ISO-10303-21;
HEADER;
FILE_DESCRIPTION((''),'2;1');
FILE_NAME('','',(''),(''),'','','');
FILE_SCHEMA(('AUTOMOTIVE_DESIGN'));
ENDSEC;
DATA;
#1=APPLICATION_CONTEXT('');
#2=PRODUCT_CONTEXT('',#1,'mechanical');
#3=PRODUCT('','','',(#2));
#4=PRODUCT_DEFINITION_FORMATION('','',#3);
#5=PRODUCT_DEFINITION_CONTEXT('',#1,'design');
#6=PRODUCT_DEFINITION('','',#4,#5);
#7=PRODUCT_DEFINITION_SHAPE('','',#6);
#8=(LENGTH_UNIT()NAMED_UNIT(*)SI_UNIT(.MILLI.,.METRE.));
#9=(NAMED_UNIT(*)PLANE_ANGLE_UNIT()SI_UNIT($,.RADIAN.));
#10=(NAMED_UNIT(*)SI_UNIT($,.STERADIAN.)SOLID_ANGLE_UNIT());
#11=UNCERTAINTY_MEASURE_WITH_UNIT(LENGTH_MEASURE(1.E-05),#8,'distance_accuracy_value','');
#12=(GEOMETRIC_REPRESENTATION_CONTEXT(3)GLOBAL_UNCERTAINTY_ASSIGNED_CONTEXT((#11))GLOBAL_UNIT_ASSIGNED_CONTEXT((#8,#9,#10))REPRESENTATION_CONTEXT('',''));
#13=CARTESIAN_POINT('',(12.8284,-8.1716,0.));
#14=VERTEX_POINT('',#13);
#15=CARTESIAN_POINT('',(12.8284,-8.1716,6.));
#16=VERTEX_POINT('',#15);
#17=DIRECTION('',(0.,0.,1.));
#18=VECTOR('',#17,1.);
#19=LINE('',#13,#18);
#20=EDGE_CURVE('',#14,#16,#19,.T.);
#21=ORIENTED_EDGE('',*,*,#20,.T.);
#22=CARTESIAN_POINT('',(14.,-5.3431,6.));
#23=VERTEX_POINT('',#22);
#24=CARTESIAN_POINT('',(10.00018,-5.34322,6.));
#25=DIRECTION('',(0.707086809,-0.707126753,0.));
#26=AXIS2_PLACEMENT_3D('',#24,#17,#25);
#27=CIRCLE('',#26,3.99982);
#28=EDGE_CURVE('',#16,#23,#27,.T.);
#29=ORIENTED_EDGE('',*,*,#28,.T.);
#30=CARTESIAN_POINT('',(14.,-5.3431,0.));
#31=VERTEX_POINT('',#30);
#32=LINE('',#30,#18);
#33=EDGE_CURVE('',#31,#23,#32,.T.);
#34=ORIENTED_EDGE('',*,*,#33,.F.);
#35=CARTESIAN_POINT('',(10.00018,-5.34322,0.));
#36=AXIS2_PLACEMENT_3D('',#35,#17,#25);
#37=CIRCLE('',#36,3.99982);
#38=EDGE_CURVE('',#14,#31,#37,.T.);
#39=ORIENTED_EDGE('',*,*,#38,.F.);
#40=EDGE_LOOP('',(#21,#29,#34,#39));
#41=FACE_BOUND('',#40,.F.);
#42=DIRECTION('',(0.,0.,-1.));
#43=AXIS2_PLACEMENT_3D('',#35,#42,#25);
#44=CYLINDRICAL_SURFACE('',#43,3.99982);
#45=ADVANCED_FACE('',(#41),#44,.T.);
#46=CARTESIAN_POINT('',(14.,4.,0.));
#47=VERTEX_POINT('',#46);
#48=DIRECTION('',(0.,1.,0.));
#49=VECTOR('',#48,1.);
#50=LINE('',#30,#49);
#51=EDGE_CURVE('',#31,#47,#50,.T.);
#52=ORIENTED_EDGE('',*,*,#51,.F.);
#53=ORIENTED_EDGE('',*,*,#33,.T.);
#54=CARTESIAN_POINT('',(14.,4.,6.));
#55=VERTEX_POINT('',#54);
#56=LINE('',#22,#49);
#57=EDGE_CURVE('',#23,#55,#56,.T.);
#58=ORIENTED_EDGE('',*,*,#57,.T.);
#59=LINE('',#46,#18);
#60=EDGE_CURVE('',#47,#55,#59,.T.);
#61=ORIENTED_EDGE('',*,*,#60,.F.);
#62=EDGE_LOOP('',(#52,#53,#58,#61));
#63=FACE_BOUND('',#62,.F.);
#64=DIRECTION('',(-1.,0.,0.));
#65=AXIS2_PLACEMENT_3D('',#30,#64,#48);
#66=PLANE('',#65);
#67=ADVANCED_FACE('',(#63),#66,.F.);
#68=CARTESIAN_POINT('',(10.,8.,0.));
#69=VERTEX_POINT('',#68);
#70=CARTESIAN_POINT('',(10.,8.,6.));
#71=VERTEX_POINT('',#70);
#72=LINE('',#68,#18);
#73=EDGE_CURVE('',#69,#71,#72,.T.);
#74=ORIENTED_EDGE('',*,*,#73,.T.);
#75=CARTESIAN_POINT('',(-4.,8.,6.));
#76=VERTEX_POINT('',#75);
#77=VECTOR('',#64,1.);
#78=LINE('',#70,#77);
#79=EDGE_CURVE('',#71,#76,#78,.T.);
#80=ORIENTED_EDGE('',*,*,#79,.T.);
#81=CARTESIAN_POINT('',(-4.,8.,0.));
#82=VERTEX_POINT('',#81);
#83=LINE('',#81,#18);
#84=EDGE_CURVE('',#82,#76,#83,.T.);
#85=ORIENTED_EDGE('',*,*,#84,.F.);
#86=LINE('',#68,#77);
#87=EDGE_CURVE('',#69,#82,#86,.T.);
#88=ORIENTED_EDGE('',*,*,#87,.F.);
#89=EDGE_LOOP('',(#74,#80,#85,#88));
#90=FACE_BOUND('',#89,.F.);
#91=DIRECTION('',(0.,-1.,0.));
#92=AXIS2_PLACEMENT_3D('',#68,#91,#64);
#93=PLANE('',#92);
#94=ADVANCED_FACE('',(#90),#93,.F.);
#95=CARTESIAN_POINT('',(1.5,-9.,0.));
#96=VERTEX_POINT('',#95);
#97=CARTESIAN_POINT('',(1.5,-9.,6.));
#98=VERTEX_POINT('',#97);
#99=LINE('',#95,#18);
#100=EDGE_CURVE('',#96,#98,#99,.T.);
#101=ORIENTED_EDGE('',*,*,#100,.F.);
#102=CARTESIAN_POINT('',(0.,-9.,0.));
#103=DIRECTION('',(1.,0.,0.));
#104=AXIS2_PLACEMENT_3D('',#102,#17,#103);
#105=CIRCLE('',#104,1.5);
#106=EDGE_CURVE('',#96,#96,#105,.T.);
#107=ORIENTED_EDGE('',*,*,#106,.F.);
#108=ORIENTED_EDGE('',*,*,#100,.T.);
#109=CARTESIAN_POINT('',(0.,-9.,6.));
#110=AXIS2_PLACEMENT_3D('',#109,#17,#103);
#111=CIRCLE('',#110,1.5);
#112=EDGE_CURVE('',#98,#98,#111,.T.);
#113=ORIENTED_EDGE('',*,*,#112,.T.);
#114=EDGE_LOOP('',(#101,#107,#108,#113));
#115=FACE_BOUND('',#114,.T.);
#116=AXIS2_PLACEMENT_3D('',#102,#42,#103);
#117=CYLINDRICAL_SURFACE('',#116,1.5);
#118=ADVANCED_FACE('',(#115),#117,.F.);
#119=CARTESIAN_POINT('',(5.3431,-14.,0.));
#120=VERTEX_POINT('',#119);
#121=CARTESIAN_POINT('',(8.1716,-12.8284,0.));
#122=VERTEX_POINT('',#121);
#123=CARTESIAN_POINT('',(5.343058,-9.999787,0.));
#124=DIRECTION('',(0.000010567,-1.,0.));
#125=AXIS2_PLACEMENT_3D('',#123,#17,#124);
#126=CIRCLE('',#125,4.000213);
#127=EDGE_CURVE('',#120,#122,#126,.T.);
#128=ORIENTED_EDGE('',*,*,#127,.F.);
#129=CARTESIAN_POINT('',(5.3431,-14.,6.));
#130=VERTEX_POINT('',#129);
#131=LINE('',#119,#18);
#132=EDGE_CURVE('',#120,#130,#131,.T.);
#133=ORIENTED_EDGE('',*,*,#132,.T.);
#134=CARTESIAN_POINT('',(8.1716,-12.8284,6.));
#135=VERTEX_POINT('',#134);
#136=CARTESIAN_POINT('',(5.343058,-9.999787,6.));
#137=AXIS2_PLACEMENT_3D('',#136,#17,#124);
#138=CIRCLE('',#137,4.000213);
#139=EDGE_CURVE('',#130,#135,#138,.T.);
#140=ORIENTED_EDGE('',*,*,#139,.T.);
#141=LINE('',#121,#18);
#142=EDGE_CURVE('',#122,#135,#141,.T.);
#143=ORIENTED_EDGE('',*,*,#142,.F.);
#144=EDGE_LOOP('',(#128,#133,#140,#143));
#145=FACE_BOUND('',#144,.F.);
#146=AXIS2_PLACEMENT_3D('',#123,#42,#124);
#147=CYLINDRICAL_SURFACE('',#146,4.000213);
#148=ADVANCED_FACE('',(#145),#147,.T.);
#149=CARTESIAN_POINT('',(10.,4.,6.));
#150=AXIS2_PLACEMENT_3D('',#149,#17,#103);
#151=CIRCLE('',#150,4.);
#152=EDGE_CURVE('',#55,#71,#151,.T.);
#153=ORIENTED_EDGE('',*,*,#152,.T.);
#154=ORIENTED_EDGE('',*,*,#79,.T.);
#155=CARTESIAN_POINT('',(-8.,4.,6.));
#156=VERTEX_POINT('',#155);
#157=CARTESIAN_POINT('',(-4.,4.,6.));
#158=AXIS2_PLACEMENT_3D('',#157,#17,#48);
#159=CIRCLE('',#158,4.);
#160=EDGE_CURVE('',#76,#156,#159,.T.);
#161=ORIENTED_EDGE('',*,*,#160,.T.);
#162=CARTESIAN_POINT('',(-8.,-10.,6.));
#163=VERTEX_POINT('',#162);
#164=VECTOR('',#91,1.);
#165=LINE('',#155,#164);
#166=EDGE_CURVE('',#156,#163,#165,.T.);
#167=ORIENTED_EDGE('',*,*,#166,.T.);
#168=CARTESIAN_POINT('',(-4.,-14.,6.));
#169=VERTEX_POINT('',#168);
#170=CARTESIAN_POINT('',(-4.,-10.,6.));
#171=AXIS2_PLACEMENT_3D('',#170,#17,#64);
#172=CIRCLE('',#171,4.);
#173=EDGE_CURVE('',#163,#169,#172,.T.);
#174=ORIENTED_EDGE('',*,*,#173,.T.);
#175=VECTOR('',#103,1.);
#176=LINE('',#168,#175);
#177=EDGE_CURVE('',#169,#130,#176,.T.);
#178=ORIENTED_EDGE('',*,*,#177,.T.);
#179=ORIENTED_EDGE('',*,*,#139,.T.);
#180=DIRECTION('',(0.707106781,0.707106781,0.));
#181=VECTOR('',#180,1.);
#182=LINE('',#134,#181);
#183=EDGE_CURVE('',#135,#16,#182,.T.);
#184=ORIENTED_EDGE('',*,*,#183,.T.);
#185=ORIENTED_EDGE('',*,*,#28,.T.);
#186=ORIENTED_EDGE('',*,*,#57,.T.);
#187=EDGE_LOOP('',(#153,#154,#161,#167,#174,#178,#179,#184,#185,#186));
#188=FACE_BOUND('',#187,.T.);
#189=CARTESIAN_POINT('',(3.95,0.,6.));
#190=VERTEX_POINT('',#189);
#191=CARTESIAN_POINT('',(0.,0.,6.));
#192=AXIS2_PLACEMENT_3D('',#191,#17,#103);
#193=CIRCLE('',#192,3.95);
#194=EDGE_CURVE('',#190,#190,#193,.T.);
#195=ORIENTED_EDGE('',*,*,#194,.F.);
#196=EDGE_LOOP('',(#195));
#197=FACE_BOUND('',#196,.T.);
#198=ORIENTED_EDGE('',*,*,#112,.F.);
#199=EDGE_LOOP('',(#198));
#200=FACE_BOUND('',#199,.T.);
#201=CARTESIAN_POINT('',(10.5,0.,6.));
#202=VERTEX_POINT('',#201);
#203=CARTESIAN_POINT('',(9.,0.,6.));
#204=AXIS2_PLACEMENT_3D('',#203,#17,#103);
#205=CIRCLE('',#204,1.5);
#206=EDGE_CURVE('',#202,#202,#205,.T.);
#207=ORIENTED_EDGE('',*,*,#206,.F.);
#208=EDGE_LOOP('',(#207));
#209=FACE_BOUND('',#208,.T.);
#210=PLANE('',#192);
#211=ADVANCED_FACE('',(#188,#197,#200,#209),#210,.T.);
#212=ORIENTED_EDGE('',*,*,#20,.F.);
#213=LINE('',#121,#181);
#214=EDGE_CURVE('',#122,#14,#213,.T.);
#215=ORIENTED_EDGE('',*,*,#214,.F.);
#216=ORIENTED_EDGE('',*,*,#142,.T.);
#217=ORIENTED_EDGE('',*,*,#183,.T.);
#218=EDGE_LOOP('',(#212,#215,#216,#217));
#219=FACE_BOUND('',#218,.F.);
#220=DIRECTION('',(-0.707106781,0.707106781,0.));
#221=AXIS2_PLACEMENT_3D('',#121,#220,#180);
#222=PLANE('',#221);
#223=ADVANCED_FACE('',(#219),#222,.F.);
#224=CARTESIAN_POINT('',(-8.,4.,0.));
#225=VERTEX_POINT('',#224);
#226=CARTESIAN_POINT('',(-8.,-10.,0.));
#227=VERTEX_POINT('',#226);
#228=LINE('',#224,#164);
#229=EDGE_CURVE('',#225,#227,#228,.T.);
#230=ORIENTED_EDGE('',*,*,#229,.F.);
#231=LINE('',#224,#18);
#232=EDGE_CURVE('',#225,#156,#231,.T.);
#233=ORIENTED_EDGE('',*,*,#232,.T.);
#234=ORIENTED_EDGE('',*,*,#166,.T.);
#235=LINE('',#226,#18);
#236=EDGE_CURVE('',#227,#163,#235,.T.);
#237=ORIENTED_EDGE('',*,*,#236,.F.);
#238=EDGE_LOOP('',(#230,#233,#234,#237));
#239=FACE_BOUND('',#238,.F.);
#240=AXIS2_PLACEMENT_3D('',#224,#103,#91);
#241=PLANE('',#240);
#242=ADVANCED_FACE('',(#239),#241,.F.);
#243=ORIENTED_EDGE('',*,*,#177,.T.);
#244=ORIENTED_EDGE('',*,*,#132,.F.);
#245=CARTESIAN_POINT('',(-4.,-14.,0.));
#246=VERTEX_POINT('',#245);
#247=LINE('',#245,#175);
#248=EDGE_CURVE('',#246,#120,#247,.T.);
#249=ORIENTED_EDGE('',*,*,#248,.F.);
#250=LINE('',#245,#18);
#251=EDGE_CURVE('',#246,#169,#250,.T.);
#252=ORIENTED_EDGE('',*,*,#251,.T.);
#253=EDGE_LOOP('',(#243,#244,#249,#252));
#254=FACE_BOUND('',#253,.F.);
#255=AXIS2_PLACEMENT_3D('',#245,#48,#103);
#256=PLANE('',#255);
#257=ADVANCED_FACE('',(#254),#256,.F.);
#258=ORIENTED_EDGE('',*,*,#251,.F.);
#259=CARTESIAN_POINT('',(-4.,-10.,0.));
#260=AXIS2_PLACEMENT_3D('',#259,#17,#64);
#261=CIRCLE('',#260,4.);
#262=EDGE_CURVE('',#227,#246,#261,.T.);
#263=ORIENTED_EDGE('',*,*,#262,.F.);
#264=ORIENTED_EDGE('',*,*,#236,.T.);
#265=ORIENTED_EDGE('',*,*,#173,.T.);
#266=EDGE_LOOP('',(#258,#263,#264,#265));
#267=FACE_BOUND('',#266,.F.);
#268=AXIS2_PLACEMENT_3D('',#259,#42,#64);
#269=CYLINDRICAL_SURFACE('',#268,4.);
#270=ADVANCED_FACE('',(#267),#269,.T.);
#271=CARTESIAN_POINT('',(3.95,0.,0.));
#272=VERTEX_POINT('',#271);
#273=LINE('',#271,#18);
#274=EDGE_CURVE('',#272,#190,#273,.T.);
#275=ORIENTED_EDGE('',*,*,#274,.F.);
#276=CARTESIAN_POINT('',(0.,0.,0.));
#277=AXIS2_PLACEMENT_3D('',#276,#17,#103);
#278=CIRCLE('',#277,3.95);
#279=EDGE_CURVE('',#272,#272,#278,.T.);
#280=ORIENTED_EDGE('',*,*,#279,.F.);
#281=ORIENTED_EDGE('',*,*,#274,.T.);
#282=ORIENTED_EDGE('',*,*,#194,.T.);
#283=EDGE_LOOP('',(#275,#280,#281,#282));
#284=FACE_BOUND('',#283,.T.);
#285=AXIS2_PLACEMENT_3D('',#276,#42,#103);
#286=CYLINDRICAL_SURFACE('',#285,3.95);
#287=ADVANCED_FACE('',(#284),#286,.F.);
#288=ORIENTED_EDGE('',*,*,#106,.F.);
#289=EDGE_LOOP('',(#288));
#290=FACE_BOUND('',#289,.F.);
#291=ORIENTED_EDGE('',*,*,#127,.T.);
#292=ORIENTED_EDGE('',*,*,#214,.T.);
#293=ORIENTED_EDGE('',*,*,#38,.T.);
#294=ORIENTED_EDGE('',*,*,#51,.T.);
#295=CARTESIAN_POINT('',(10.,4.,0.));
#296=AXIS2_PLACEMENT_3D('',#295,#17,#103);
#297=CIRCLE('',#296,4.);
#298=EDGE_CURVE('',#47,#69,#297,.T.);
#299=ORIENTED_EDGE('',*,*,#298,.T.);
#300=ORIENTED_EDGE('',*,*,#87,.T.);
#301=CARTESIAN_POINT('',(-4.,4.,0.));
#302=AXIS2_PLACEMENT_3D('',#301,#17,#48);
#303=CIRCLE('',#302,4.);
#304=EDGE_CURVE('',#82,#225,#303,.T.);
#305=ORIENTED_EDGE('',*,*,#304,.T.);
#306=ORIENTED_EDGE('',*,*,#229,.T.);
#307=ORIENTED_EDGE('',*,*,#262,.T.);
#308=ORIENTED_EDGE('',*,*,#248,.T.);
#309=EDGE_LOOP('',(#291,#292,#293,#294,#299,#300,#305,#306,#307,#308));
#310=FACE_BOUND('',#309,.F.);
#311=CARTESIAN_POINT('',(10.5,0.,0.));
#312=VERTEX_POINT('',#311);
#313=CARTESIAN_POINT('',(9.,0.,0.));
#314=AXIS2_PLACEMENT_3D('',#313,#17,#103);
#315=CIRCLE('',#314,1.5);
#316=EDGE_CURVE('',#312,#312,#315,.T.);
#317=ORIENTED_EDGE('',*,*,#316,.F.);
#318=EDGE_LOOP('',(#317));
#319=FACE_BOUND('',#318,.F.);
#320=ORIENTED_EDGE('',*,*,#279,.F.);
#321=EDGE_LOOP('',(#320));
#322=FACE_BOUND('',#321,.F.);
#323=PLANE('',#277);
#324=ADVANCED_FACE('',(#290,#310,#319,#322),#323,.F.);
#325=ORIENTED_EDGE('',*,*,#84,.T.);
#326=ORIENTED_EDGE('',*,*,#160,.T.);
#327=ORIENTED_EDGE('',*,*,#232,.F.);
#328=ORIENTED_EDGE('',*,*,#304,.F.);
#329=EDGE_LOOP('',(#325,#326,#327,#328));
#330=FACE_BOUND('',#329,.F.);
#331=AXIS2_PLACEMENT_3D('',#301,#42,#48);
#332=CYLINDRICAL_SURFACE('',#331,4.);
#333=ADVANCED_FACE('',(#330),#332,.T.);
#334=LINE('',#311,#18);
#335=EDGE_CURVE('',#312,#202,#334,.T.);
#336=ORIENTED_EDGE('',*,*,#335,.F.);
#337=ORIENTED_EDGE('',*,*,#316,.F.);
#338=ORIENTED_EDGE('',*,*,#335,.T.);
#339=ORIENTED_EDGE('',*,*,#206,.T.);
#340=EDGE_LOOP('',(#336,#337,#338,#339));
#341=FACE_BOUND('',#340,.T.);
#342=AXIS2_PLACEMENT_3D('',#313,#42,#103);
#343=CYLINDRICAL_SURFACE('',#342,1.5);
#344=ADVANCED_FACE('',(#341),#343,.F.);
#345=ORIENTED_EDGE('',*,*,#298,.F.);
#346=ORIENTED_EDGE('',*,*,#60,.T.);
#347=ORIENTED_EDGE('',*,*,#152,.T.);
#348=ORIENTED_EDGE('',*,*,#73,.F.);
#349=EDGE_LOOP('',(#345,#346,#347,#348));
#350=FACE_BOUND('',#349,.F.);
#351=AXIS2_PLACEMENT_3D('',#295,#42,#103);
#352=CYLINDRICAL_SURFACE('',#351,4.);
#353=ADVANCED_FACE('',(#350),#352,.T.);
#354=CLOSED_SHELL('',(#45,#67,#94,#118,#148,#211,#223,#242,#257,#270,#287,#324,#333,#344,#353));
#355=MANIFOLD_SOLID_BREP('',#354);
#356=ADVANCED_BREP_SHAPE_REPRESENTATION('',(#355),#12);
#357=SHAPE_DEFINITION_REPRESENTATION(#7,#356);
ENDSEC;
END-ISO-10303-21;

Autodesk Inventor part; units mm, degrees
ref_plane "YZ Plane" through (0, 0, 0) normal (1, 0, 0) x (0, 1, 0)
ref_plane "XZ Plane" through (0, 0, 0) normal (0, 1, 0) x (-1, 0, 0)
ref_plane "XY Plane" through (0, 0, 0) normal (0, 0, 1) x (1, 0, 0)
sketch "Sketch1" plane through (0, 0, 0) normal (0, 0, 1) x (1, 0, 0)
  circle A0 centre (0, 0) radius 3.95
  circle A1 centre (0, -9) radius 1.5
  circle A2 centre (9, 0) radius 1.5
  line L0 (10, 8) -> (-4, 8)
  arc A3 (-4, 8) -> (-8, 4) centre (-4, 4) ccw
  line L1 (-8, 4) -> (-8, -10)
  arc A4 (-8, -10) -> (-4, -14) centre (-4, -10) ccw
  line L2 (-4, -14) -> (5.3431, -14)
  arc A5 (5.3431, -14) -> (8.1716, -12.8284) centre (5.3431, -10) ccw
  line L3 (8.1716, -12.8284) -> (12.8284, -8.1716)
  arc A6 (12.8284, -8.1716) -> (14, -5.3431) centre (10, -5.3431) ccw
  line L4 (14, -5.3431) -> (14, 4)
  arc A7 (14, 4) -> (10, 8) centre (10, 4) ccw
extrude "Extrusion1" add sketch "Sketch1" along normal blind 6
properties part number "xShaftHolder"
